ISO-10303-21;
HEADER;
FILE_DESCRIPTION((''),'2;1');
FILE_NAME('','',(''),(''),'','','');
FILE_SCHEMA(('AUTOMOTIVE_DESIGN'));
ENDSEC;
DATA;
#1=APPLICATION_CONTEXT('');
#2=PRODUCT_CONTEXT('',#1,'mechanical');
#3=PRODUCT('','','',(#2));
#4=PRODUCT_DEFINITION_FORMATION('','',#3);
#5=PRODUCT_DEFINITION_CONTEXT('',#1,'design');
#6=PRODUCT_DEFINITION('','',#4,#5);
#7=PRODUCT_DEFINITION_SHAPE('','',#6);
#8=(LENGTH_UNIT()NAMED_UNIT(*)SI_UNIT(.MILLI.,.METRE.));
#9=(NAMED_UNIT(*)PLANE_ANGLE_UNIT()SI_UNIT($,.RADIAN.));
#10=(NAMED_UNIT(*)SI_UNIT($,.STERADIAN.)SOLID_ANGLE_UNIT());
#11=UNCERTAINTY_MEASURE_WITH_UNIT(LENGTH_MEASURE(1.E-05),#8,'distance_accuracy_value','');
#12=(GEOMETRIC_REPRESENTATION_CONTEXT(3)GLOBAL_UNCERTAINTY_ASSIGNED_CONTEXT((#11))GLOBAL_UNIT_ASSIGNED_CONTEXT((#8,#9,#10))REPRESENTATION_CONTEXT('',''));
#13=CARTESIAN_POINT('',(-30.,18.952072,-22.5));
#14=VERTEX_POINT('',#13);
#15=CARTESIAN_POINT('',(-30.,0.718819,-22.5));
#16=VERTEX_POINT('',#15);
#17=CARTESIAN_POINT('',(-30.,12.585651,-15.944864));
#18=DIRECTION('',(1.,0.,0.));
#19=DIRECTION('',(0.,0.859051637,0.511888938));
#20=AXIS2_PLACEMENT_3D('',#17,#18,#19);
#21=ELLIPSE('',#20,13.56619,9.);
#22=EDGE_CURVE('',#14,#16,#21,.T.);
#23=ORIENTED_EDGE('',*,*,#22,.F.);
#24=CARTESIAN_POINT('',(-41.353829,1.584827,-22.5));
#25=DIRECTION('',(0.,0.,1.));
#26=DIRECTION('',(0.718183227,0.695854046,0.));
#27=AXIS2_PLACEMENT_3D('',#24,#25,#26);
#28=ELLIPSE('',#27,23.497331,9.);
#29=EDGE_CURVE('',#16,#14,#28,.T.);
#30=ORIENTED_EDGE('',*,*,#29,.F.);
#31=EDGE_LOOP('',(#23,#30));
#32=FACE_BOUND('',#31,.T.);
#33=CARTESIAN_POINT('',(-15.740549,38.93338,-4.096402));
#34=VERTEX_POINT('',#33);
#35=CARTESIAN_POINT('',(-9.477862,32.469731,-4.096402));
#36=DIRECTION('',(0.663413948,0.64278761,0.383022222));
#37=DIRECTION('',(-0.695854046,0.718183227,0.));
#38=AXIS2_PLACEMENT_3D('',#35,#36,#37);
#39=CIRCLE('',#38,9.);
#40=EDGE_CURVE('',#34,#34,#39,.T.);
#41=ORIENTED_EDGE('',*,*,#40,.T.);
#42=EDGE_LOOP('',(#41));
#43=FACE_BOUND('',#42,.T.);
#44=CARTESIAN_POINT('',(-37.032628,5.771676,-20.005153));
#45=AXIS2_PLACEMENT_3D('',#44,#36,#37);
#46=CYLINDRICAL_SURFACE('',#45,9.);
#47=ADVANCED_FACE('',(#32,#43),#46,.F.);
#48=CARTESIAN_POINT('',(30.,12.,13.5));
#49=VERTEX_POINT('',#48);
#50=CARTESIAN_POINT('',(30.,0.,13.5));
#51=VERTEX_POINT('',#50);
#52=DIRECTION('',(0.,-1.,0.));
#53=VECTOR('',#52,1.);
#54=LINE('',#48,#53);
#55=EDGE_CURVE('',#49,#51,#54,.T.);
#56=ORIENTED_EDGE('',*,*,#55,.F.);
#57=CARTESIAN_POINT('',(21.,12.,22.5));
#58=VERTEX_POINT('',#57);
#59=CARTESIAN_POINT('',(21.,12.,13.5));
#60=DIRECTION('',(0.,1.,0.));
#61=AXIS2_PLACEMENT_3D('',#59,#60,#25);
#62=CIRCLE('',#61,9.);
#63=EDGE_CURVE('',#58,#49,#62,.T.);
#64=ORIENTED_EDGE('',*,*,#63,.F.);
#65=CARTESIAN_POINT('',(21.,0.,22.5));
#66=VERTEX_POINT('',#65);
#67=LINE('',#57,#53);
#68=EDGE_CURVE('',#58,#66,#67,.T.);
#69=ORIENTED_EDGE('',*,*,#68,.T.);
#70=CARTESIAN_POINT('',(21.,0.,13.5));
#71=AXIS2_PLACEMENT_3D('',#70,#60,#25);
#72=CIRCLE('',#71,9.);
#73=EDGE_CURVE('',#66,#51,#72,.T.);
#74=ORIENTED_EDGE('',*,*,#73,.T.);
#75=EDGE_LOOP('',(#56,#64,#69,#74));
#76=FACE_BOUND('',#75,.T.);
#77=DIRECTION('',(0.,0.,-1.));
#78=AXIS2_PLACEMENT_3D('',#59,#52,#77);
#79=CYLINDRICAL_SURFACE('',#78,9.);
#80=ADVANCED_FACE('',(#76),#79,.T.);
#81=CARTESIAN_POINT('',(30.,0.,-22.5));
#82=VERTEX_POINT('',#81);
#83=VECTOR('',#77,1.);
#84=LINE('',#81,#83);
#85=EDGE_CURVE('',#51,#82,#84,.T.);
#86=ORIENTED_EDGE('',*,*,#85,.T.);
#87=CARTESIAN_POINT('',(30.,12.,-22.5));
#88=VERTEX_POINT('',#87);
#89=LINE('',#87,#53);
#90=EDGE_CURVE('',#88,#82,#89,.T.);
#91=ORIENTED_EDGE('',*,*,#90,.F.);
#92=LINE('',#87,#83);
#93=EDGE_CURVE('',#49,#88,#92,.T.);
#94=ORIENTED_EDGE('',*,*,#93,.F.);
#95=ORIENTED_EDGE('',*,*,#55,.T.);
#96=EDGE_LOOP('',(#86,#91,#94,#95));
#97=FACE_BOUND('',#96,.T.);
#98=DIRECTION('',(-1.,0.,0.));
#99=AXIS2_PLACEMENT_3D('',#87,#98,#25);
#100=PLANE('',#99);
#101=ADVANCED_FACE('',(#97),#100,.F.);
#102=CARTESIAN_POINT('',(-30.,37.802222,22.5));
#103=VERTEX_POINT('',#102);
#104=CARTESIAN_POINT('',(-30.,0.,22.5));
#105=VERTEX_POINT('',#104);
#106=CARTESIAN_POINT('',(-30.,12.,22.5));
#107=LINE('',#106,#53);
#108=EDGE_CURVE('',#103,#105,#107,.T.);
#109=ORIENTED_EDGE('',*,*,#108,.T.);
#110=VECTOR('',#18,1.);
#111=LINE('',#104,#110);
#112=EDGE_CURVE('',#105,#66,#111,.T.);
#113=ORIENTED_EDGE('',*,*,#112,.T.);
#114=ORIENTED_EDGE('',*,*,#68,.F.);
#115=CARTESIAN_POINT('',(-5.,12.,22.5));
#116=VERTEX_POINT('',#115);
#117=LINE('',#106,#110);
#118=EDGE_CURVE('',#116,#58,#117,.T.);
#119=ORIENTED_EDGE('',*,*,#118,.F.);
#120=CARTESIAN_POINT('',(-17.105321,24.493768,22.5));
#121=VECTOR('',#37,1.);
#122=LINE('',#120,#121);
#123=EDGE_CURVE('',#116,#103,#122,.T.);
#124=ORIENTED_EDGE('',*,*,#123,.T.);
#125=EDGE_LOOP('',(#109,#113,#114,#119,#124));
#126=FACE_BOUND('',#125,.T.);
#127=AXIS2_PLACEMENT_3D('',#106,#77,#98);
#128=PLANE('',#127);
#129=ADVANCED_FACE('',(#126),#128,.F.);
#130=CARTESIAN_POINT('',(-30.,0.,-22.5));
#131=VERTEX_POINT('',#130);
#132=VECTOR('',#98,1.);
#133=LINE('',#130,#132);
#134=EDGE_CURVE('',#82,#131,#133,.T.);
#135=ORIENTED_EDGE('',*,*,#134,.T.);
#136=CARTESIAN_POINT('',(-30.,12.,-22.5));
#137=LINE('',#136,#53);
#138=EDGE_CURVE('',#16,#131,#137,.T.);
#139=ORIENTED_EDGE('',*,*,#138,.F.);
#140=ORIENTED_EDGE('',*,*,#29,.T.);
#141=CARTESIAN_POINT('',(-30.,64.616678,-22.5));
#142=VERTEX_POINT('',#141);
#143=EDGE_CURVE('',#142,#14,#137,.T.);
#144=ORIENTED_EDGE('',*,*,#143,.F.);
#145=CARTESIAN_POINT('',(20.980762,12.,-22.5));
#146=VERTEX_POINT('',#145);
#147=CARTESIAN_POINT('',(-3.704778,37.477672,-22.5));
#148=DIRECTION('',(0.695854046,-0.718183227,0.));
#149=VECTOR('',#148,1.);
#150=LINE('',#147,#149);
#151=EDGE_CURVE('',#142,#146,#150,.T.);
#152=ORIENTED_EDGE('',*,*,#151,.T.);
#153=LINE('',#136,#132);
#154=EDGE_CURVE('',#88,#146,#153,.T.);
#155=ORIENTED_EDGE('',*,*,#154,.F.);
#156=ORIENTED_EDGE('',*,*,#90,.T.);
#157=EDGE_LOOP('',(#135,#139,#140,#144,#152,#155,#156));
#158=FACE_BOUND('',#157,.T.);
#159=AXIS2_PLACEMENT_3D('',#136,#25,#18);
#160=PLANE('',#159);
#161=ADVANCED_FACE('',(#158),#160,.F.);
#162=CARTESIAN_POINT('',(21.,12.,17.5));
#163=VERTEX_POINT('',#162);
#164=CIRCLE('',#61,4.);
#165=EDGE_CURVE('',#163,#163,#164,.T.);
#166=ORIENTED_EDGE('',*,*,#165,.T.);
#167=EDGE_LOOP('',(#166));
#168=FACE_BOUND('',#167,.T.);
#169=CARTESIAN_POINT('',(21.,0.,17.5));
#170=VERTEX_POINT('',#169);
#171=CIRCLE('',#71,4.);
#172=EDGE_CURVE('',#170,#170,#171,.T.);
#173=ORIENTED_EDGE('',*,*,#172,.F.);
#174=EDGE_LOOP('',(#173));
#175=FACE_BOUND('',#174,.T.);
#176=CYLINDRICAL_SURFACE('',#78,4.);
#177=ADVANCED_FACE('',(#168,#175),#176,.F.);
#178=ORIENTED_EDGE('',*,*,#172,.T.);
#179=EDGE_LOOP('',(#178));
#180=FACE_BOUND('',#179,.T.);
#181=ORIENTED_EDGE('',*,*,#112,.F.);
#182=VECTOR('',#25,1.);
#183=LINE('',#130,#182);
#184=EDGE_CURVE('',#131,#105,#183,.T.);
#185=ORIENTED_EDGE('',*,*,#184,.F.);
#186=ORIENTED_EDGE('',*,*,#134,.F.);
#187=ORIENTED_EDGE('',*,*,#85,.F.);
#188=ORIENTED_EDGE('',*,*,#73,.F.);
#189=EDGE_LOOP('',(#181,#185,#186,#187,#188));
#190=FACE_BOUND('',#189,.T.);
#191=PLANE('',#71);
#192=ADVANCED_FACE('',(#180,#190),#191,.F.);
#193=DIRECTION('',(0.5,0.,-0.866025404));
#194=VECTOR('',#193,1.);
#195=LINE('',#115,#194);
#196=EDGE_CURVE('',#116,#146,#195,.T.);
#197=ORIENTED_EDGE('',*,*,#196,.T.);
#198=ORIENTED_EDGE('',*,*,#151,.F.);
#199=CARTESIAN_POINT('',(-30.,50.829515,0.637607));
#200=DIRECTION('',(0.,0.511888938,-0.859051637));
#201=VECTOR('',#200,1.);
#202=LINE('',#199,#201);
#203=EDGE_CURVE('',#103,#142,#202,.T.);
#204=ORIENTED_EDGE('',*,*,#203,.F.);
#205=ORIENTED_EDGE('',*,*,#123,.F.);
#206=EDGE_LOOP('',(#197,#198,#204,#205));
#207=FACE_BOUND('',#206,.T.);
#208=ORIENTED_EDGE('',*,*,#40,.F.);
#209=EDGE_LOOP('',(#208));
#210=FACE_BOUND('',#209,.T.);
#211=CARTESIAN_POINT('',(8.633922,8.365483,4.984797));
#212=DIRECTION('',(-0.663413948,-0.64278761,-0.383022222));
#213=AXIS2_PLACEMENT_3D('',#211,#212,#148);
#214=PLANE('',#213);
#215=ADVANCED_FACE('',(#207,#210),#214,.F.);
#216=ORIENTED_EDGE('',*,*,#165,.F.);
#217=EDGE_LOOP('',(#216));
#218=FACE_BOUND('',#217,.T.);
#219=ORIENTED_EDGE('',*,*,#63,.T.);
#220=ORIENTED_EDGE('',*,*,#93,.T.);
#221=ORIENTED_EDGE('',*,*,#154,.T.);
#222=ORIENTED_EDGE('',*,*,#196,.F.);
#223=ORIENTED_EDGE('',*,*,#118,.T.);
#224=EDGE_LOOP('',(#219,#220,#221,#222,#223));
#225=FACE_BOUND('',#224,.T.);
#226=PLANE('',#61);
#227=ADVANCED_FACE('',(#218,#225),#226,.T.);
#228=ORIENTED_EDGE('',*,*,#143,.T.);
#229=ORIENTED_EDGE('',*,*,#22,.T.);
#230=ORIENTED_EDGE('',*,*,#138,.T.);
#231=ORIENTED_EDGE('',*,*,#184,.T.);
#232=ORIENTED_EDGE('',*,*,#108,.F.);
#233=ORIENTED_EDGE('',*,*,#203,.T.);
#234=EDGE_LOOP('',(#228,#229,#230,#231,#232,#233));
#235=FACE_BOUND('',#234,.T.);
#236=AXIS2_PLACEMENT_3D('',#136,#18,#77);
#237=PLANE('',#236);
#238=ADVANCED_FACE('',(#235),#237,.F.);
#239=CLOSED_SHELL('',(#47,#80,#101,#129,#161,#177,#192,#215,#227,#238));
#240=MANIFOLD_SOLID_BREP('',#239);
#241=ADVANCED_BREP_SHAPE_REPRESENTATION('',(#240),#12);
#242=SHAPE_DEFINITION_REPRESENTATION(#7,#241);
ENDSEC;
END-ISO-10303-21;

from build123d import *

# Parameters (mm, degrees)
SKETCH_1_R          = 4
EXTRUDE_1_DEPTH     = 12
EXTRUDE_2_DEPTH     = 55
CUT_EXTRUDE_1_DEPTH = 50
SKETCH_9_R          = 9
CUT_EXTRUDE_2_DEPTH = 74.567594408


with BuildPart() as part:
    # 草图1 → 凸台-拉伸1 (new body)
    with BuildSketch(Plane(origin=(0, 0, 0), x_dir=(1, 0, 0), z_dir=(0, 1, 0))):
        with BuildLine():
            Line((-30, 22.5), (30, 22.5))
            Line((30, 22.5), (30, -13.5))
            ThreePointArc((30, -13.5), (27.363961031, -19.863961031), (21, -22.5))
            Line((21, -22.5), (-30, -22.5))
            Line((-30, -22.5), (-30, 22.5))
        make_face()
        with Locations(Location((21, -13.5, 0), (0, 0, 270))):
            Circle(SKETCH_1_R, mode=Mode.SUBTRACT)
    extrude(amount=EXTRUDE_1_DEPTH)

    # 草图5 → 凸台-拉伸2 (add)
    with BuildSketch(Plane(origin=(0, 12, 0), x_dir=(1, 0, 0), z_dir=(0, 1, 0))):
        Polygon((-5, -22.5), (20.980762114, 22.5), (-30, 22.5), (-30, -22.5), align=None)
    extrude(amount=EXTRUDE_2_DEPTH)

    # 草图6 → 切除-拉伸1 (cut)
    with BuildSketch(Plane(origin=(8.633922254, 8.365483215, 4.984797338), x_dir=(0.4999999999999977, 0, -0.86602540378444), z_dir=(-0.6634139481689368, -0.642787609686543, -0.3830222215594858))):
        Polygon((-21.985571585, -4.744524705), (29.975952642, -4.744524705), (46.861281787, -7.759213518), (18.600754365, -97.120116912), (-55.184549729, -73.785397471), align=None)
    extrude(amount=-CUT_EXTRUDE_1_DEPTH, mode=Mode.SUBTRACT)

    # 草图9 → 切除-拉伸2 (cut, through all)
    with BuildSketch(Plane(origin=(8.633922254, 8.365483215, 4.984797338), x_dir=(0.27508013503084955, 0.2665275624016649, -0.9237391286459811), z_dir=(0.663413948168937, 0.6427876096865428, 0.38302222155948573))):
        with Locations(Location((9.830913468, 29.914425108, 0), (0, 0, 90))):
            Circle(SKETCH_9_R)
    extrude(amount=-CUT_EXTRUDE_2_DEPTH, mode=Mode.SUBTRACT)


solid = part.part
